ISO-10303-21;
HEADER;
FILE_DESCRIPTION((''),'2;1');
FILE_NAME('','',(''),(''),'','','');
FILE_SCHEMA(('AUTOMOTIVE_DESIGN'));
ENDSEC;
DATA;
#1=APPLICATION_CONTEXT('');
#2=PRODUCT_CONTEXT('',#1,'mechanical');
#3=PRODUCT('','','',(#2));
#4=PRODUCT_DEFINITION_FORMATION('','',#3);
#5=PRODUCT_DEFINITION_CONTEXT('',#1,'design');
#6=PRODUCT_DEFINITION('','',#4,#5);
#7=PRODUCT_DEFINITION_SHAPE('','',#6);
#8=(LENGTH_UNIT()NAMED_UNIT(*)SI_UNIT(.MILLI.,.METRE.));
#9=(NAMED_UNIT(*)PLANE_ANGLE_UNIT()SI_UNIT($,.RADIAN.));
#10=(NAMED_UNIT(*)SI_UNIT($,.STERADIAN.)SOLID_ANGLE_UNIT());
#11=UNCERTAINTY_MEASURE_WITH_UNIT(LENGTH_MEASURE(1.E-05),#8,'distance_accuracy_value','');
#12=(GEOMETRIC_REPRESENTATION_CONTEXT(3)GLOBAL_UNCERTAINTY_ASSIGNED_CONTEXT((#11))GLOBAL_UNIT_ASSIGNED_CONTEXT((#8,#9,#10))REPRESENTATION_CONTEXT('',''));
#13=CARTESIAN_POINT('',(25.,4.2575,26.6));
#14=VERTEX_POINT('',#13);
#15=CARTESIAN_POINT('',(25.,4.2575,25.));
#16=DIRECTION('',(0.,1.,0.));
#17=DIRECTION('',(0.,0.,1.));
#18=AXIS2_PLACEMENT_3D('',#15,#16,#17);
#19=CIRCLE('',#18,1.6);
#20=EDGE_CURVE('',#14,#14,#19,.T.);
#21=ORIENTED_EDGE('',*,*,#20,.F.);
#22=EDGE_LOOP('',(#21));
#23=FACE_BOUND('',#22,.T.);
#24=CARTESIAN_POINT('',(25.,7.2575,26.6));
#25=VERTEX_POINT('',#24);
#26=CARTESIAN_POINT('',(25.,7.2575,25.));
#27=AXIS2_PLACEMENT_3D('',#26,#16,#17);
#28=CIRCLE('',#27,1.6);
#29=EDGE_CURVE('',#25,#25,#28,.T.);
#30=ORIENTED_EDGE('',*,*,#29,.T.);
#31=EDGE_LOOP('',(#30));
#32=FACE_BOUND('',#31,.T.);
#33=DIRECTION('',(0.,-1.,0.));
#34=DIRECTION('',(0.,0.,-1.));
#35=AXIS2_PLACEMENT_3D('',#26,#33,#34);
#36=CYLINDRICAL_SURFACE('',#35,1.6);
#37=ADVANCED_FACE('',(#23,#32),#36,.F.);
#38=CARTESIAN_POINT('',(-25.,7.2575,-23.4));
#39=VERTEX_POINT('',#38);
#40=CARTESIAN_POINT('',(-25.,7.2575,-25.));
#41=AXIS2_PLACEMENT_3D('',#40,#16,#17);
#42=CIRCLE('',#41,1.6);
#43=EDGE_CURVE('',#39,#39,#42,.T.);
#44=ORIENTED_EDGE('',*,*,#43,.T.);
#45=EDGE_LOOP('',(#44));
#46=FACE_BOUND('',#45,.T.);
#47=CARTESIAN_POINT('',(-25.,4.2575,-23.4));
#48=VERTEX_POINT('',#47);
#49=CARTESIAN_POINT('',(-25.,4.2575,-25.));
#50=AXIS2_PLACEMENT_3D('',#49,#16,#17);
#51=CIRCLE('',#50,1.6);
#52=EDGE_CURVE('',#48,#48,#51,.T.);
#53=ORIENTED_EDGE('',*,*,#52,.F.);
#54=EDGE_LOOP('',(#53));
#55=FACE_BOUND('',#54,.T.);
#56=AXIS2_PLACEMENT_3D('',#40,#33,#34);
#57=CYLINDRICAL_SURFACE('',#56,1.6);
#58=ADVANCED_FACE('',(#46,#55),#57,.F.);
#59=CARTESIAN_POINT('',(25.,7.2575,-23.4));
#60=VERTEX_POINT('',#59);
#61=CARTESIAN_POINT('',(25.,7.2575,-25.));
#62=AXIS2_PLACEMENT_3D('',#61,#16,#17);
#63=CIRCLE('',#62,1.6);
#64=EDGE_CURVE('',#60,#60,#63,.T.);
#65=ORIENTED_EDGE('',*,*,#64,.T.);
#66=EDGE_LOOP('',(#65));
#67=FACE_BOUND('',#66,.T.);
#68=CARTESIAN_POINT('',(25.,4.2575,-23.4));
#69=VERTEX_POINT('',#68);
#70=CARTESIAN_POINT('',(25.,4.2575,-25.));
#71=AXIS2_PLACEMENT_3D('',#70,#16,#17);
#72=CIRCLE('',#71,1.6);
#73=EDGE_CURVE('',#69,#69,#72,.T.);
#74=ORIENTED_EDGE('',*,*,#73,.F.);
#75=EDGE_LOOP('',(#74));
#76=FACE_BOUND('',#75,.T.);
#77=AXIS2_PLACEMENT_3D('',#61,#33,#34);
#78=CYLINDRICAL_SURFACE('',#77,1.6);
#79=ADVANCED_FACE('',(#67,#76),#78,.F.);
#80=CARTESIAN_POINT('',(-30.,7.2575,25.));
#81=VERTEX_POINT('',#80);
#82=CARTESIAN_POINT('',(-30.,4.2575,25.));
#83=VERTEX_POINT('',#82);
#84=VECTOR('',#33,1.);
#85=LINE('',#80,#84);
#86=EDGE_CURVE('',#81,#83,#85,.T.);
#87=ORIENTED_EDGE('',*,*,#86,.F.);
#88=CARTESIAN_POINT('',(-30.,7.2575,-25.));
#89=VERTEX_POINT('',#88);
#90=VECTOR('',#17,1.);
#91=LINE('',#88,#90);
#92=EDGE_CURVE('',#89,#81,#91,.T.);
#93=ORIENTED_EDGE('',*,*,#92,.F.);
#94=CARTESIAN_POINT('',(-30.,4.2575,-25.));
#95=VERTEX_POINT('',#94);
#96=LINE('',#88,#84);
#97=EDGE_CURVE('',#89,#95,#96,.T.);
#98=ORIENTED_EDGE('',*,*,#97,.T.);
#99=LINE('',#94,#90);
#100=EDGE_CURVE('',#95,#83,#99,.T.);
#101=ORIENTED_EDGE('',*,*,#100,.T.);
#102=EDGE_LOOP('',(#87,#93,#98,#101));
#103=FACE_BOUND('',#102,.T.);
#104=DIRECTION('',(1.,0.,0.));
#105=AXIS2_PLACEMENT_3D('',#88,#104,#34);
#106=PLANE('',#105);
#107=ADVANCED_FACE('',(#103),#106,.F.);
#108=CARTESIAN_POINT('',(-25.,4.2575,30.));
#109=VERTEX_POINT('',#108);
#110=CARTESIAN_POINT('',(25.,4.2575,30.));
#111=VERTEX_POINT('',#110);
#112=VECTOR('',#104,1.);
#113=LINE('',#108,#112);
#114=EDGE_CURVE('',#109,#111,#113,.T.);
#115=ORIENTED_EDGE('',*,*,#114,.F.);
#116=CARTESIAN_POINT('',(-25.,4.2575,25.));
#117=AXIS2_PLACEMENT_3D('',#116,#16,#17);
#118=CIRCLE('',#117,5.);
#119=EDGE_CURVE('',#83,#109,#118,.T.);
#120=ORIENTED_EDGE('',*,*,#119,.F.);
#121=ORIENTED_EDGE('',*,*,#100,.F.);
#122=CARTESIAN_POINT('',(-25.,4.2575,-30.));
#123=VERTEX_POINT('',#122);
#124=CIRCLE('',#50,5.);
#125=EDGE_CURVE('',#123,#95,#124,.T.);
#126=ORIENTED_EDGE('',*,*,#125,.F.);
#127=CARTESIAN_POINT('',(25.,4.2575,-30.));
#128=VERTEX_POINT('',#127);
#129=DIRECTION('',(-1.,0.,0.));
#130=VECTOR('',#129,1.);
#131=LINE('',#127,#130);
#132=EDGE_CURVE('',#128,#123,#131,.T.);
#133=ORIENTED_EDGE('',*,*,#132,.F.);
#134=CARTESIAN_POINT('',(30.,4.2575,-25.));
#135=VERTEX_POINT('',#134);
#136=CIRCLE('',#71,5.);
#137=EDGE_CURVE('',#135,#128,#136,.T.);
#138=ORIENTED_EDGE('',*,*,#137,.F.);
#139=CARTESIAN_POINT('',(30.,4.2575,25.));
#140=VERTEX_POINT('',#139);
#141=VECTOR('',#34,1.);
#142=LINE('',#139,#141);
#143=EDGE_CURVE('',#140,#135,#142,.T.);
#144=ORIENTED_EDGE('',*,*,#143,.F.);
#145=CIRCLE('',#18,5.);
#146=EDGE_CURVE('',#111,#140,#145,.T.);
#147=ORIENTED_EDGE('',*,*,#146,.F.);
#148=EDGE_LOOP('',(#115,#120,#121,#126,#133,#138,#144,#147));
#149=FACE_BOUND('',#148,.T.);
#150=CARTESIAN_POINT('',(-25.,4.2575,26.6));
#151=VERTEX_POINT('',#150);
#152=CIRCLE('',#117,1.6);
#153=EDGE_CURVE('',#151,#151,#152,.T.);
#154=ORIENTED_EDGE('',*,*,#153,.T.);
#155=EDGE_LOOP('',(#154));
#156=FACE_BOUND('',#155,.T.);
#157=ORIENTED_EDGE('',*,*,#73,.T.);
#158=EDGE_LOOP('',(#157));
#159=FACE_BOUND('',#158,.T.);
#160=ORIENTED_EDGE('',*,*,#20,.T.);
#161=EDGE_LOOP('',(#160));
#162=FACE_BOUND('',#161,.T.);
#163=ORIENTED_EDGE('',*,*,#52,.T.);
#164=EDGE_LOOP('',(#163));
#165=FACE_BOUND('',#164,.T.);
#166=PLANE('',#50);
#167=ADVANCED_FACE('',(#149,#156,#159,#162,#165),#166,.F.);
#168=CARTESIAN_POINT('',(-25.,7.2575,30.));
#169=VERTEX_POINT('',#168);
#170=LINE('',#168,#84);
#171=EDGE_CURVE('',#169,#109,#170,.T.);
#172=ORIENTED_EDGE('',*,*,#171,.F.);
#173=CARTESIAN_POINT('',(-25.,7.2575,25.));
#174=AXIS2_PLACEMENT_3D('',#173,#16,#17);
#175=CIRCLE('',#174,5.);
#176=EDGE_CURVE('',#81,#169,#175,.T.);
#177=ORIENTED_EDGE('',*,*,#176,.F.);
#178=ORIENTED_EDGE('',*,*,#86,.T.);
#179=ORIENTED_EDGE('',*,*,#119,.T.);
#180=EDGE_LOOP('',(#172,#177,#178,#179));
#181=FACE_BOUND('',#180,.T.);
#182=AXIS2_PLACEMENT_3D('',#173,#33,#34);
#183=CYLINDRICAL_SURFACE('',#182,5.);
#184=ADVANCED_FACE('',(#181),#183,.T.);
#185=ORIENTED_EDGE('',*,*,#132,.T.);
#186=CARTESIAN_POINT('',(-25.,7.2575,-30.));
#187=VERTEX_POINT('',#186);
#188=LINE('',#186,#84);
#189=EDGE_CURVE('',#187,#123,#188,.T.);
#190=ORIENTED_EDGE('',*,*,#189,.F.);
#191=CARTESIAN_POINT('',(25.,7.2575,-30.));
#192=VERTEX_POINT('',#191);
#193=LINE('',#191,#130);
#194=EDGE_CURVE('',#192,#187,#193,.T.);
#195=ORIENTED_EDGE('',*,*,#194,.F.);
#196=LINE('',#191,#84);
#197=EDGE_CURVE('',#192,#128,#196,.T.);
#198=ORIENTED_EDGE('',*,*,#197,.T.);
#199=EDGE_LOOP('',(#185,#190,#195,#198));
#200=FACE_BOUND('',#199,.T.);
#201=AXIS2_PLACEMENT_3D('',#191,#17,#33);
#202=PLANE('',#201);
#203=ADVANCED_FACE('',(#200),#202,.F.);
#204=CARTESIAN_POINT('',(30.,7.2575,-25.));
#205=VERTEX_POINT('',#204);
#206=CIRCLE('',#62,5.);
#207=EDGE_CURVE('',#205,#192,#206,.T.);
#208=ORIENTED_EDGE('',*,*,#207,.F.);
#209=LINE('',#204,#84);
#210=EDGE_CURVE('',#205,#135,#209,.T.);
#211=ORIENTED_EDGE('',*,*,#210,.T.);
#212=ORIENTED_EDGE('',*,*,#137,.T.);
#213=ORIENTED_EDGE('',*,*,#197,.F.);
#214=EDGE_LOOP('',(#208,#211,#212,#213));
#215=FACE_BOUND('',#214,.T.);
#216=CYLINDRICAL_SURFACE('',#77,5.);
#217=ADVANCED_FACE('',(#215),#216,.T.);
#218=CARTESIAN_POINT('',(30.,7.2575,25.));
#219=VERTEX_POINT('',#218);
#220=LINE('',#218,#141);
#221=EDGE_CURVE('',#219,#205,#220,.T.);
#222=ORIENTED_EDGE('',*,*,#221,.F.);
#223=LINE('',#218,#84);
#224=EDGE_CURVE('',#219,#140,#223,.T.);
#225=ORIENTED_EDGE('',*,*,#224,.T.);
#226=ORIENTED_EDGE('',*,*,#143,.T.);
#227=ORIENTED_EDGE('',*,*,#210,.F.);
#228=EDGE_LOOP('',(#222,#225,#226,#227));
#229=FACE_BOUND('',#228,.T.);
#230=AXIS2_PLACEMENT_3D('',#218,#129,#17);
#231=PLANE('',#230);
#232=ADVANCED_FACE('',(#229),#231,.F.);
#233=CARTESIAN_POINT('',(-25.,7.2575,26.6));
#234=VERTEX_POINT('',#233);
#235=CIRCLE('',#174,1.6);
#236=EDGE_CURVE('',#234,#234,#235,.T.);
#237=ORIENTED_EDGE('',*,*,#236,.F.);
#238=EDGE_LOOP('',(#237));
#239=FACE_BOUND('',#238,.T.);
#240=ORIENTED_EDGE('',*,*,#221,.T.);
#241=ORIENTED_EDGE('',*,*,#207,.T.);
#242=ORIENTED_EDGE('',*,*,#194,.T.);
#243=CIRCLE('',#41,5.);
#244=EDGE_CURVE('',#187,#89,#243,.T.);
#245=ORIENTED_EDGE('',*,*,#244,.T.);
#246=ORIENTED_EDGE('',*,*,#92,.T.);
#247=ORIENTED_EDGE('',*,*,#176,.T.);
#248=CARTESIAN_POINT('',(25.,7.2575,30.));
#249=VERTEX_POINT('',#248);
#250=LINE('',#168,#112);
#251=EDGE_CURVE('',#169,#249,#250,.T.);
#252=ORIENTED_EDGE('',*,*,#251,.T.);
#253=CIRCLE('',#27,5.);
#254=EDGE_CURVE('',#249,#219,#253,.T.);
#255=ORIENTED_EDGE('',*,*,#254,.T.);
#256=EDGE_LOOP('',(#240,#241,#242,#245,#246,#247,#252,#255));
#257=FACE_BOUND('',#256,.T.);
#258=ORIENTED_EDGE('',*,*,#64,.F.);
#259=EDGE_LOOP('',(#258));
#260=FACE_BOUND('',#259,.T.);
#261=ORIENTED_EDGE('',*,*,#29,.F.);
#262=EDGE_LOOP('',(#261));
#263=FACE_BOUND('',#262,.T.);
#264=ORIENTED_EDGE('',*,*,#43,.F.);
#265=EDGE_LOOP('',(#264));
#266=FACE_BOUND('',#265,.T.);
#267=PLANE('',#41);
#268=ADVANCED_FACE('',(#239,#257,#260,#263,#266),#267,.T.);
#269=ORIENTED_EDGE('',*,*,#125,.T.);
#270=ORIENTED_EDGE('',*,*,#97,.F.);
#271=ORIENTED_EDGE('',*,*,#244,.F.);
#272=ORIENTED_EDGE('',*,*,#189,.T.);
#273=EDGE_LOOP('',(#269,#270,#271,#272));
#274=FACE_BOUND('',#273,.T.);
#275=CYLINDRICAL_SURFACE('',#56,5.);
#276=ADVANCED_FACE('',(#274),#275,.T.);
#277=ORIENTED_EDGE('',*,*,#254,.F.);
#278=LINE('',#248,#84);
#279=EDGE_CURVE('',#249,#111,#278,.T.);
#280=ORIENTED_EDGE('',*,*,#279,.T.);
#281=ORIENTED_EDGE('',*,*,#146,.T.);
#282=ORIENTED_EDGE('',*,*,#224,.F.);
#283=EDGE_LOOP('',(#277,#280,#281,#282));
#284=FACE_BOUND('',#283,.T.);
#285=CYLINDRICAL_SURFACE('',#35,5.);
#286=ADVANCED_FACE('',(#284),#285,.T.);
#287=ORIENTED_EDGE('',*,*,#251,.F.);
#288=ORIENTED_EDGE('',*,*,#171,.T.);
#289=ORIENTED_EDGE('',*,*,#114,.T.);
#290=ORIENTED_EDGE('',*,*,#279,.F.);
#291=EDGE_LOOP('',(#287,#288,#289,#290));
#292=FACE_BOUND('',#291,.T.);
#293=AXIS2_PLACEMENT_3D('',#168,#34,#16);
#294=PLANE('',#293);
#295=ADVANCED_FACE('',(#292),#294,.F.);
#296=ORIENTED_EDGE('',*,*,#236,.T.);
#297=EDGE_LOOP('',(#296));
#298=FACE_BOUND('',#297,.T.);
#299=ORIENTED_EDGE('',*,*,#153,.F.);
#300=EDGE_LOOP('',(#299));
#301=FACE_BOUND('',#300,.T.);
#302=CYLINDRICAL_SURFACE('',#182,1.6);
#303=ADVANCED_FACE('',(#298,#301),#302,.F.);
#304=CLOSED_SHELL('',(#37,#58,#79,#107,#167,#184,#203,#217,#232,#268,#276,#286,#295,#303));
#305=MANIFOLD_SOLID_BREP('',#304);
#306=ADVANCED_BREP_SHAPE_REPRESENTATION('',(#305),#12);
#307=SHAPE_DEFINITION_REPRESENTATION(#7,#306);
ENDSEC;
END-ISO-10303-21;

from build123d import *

# Parameters (mm, degrees)
SKETCH1_R           = 1.6
BOSS_EXTRUDE1_DEPTH = 3


with BuildPart() as part:
    # Sketch1 → Boss-Extrude1 (new body)
    with BuildSketch(Plane(origin=(0, 4.2575, 0), x_dir=(1, 0, 0), z_dir=(0, 1, 0))):
        with BuildLine():
            Line((-30, 25), (-30, -25))
            ThreePointArc((-30, -25), (-28.535533906, -28.535533906), (-25, -30))
            Line((-25, -30), (25, -30))
            ThreePointArc((25, -30), (28.535533906, -28.535533906), (30, -25))
            Line((30, -25), (30, 25))
            ThreePointArc((30, 25), (28.535533906, 28.535533906), (25, 30))
            Line((25, 30), (-25, 30))
            ThreePointArc((-25, 30), (-28.535533906, 28.535533906), (-30, 25))
        make_face()
        with Locations(Location((25, 25, 0), (0, 0, 270))):
            Circle(SKETCH1_R, mode=Mode.SUBTRACT)
        with Locations(Location((-25, 25, 0), (0, 0, 270))):
            Circle(SKETCH1_R, mode=Mode.SUBTRACT)
        with Locations(Location((-25, -25, 0), (0, 0, 270))):
            Circle(SKETCH1_R, mode=Mode.SUBTRACT)
        with Locations(Location((25, -25, 0), (0, 0, 270))):
            Circle(SKETCH1_R, mode=Mode.SUBTRACT)
    extrude(amount=BOSS_EXTRUDE1_DEPTH)


solid = part.part
